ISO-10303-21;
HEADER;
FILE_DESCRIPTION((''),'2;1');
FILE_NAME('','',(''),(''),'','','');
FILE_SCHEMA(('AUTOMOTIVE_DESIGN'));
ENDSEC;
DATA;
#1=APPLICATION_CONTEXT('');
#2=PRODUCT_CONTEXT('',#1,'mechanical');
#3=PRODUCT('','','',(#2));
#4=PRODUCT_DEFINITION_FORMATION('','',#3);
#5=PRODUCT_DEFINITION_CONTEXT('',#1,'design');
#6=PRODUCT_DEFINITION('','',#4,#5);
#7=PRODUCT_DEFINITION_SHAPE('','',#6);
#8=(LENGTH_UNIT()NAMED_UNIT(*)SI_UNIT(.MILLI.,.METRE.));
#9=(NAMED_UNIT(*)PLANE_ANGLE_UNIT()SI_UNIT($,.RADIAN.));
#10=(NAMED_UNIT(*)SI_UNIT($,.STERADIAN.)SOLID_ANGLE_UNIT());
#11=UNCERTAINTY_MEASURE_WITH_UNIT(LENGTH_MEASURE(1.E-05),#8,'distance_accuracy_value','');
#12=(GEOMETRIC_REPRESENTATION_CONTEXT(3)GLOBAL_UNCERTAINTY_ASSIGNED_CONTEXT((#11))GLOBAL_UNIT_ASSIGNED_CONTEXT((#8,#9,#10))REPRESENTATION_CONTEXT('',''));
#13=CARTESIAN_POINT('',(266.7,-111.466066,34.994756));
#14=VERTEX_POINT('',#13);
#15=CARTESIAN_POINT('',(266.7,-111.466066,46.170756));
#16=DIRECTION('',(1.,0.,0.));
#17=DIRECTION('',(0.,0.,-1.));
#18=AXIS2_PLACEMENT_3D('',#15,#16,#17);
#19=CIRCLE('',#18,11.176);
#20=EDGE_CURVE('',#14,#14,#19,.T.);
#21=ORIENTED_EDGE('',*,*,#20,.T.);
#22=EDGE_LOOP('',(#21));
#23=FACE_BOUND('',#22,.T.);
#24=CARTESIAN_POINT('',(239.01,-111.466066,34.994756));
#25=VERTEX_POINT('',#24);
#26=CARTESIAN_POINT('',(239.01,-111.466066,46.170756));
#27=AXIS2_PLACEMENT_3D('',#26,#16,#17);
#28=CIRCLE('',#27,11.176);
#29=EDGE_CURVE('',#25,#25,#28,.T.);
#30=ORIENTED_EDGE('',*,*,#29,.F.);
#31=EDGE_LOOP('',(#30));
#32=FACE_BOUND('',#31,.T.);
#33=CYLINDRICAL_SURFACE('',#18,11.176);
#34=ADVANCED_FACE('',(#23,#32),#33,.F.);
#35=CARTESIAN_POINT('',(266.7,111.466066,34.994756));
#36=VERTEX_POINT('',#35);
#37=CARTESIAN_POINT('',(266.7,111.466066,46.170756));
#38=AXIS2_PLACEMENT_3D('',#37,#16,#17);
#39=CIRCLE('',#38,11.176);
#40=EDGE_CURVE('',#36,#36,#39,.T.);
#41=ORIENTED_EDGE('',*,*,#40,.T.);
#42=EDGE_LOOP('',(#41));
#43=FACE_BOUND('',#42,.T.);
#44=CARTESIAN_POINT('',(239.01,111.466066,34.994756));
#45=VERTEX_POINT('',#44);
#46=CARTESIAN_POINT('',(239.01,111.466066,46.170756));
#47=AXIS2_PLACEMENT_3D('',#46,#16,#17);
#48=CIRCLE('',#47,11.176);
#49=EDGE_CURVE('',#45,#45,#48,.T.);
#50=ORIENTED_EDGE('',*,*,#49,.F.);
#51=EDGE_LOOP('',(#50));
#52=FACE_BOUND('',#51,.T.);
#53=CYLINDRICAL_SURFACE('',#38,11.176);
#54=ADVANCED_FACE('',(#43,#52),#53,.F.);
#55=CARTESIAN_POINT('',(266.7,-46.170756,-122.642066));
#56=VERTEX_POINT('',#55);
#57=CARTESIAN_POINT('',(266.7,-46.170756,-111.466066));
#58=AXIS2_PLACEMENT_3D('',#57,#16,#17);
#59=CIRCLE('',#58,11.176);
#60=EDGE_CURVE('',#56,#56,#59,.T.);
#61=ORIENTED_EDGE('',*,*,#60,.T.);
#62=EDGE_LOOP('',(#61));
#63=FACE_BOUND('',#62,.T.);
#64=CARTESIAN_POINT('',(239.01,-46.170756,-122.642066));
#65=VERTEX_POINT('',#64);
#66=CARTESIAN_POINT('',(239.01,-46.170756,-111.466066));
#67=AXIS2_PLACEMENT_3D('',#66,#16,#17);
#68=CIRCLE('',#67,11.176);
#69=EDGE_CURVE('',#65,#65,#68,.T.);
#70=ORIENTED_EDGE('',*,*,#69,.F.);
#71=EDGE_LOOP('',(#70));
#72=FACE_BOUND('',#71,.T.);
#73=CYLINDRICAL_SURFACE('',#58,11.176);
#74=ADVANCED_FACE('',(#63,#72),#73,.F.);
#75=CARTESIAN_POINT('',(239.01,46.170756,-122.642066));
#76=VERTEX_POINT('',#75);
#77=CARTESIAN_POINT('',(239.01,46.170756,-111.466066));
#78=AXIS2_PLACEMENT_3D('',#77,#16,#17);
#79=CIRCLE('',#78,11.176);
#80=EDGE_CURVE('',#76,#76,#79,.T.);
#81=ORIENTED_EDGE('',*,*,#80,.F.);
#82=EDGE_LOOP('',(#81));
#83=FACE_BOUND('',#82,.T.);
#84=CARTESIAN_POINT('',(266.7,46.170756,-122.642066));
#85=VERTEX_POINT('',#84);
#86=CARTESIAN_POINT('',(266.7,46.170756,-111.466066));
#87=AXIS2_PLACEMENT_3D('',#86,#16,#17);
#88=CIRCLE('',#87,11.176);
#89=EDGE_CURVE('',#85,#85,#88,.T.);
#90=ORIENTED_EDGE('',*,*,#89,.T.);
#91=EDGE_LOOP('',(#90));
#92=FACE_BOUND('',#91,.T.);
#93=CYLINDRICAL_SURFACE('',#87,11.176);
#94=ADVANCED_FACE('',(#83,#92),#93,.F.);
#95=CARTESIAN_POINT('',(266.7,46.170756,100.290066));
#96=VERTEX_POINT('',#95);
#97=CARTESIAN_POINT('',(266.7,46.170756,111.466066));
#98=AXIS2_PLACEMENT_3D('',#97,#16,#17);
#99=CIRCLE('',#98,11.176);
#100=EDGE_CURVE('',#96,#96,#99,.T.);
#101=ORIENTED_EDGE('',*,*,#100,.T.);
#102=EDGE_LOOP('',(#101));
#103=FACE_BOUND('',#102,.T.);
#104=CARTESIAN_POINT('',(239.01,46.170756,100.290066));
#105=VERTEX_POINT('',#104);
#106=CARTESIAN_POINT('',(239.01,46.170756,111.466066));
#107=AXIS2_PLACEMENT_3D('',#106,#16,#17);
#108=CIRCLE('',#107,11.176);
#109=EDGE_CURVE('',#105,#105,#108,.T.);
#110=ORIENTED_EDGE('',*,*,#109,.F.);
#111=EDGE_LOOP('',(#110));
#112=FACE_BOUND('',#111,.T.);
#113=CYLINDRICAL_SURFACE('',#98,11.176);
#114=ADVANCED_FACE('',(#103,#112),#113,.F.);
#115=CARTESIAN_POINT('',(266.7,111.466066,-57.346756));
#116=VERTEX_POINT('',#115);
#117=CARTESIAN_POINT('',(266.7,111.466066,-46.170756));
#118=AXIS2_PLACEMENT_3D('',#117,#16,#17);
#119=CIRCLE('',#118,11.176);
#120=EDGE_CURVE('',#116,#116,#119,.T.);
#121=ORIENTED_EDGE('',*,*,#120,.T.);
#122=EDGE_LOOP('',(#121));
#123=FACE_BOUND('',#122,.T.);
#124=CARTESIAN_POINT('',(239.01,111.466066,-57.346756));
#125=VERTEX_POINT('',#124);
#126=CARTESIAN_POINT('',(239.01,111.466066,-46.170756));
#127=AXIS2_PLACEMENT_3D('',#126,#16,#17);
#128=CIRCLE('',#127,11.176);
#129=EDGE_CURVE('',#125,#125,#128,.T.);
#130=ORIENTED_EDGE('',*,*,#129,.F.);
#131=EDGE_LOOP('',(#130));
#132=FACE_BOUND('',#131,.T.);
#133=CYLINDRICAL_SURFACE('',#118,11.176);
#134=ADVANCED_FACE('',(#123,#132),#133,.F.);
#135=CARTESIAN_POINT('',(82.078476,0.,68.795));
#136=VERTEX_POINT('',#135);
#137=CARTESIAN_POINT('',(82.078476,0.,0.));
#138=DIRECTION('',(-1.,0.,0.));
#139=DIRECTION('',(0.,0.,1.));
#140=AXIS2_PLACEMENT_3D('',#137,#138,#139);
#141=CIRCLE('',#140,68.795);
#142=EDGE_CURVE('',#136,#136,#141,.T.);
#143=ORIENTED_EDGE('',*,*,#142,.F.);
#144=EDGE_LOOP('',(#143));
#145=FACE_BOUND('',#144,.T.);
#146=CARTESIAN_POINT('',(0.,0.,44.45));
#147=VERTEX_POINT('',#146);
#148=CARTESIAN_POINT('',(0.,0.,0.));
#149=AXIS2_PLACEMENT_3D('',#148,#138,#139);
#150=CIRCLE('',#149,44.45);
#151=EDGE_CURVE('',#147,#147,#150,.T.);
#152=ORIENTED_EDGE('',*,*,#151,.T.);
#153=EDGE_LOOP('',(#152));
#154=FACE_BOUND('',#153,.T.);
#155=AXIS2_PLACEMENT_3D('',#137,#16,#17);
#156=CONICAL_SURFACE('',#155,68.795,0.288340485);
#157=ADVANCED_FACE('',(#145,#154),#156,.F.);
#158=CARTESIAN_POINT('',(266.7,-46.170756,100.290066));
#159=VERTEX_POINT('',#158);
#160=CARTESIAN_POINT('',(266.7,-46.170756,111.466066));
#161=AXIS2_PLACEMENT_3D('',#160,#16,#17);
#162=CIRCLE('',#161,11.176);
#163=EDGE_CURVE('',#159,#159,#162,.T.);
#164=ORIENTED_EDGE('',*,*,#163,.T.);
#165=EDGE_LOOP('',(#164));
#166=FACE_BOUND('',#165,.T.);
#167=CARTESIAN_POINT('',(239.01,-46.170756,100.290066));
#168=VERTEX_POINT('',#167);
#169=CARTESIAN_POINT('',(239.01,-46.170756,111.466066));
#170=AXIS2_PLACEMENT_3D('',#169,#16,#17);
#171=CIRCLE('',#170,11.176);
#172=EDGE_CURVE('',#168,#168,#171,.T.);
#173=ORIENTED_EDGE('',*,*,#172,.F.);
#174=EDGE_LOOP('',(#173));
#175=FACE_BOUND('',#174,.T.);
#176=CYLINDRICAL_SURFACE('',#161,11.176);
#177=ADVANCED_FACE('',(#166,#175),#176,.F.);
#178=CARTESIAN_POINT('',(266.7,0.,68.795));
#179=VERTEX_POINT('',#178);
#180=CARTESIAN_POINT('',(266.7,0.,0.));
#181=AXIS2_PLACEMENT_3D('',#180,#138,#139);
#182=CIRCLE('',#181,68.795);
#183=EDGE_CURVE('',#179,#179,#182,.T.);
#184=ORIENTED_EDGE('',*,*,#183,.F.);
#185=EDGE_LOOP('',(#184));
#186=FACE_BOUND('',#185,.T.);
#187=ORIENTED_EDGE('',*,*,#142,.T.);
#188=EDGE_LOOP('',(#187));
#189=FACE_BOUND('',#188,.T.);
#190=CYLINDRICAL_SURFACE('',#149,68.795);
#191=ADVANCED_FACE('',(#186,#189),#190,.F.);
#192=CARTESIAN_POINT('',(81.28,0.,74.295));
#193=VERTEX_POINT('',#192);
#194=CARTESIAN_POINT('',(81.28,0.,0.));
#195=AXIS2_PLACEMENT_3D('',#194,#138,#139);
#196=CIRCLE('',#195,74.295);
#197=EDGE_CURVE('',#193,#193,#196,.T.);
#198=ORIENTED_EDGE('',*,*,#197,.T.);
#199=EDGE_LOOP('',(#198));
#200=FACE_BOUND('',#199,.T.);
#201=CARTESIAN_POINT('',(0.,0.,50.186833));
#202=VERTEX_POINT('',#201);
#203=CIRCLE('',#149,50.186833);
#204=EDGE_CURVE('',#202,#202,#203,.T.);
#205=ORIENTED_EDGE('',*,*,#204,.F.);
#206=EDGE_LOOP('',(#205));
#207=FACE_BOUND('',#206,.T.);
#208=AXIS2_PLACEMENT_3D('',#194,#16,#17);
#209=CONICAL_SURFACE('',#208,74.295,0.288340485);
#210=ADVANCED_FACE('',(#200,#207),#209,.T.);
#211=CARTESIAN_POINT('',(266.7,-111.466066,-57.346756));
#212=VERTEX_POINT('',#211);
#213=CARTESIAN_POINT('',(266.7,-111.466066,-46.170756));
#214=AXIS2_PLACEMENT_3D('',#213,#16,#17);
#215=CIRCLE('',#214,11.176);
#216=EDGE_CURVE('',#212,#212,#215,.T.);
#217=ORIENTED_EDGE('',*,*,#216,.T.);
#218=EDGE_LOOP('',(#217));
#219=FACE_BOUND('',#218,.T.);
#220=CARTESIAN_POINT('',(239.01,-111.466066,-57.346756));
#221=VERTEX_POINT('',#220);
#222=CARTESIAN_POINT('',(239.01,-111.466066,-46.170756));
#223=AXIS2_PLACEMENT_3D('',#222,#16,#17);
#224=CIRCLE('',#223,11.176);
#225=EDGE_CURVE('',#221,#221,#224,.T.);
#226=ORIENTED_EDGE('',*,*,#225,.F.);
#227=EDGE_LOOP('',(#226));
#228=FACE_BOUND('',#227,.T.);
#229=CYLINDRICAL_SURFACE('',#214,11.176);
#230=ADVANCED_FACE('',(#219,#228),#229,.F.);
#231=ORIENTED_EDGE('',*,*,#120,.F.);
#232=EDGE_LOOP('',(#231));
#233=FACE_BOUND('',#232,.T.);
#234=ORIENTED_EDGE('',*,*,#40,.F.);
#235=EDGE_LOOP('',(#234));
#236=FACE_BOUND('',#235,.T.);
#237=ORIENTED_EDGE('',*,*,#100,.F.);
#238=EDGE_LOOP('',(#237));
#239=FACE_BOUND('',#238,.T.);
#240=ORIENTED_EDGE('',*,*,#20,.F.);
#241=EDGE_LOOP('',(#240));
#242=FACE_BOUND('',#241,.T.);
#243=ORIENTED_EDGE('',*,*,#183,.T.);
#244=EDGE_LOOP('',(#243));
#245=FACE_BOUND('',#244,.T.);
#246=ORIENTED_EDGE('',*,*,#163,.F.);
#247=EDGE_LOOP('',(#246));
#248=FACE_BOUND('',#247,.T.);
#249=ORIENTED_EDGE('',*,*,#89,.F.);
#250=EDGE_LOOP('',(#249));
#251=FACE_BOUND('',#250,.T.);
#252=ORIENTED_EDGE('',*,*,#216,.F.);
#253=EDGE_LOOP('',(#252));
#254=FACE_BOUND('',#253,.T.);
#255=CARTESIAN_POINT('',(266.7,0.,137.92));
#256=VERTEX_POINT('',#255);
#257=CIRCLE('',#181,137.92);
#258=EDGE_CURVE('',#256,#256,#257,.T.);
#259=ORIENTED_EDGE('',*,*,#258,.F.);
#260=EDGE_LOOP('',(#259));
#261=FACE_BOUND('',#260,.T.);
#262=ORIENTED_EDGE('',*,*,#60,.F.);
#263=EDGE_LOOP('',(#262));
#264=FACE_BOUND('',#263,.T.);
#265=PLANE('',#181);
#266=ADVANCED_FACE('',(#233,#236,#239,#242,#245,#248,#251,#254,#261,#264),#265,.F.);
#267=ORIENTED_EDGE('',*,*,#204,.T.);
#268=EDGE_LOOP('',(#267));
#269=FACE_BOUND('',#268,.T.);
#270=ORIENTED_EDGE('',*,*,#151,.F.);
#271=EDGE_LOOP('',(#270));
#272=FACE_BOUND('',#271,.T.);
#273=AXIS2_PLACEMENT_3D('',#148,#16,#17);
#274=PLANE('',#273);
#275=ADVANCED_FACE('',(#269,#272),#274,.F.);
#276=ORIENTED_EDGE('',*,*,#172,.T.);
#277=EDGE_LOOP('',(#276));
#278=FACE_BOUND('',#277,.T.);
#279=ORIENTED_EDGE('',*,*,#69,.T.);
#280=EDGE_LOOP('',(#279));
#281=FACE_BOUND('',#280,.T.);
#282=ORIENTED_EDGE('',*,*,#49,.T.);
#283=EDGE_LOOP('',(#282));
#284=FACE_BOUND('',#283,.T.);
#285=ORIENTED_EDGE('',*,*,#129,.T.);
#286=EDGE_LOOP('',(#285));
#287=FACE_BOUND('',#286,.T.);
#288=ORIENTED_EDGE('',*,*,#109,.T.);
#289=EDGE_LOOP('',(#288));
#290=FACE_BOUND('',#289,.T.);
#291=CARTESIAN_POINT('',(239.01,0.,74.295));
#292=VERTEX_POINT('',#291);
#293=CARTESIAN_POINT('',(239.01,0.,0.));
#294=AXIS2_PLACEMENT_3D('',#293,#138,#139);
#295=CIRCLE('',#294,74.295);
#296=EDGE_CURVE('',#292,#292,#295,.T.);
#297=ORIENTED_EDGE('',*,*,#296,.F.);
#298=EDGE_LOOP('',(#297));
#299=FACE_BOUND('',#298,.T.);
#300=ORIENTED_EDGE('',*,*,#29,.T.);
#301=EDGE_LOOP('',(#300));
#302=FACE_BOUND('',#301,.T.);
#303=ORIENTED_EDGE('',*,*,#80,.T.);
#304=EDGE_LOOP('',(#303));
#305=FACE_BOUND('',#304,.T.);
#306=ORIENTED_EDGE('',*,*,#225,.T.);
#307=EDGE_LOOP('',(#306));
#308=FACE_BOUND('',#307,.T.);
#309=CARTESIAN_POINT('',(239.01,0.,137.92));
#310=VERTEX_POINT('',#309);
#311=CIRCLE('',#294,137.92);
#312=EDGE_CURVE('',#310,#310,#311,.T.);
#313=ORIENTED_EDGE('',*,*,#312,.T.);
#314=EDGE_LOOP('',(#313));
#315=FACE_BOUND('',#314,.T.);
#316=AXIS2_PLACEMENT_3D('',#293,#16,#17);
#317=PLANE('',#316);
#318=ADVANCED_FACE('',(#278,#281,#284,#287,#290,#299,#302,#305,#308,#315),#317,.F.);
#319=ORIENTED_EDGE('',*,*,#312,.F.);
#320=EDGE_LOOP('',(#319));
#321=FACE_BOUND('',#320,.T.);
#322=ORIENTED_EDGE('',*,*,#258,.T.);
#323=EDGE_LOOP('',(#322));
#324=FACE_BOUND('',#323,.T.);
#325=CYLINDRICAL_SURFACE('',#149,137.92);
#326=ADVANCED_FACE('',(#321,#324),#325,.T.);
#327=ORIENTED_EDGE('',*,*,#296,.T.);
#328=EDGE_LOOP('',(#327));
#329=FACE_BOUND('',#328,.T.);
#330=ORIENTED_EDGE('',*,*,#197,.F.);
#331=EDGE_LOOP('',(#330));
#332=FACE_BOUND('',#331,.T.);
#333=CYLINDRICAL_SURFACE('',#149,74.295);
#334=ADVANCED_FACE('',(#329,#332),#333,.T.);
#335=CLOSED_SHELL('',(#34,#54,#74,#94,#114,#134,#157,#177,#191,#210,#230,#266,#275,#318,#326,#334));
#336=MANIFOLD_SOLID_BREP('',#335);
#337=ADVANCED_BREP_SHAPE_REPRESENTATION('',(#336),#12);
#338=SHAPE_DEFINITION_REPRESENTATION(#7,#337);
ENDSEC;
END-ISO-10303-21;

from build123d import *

# Parameters (mm, degrees)
SKETCH1_W                   = 27.69
SKETCH1_H                   = 63.625
F_7_8_0_88_DIAMETER_HOLE1_D = 22.352
CIRPATTERN1_COUNT           = 8


with BuildPart() as part:
    # Sketch1 → Revolve1 (revolve)
    with BuildSketch(Plane.XY):
        Polygon((239.01, 68.795), (266.7, 68.795), (266.7, 74.295), (239.01, 74.295), (81.28, 74.295), (0, 50.18683312), (0, 44.45), (82.078476138, 68.795), align=None)
        with Locations((252.855, 106.1075)):
            Rectangle(SKETCH1_W, SKETCH1_H)
    revolve(axis=Axis((0, 0, 0), (1, 0, 0)))

    # 7/8 (0.88) Diameter Hole1 (through all)
    with Locations(Plane(origin=(266.7, 111.466065597, 46.170756115), x_dir=(0, 0, 1), z_dir=(1, 0, 0))):
        with Locations((0, 0)):
            f_7_8_0_88_diameter_hole1 = Hole(F_7_8_0_88_DIAMETER_HOLE1_D / 2)

    # CirPattern1: 7/8 (0.88) Diameter Hole1 ×8 about axis
    cirpattern1_axis = Axis((0, 0, 0), (1, 0, 0))
    for i in range(1, CIRPATTERN1_COUNT):
        add(f_7_8_0_88_diameter_hole1.rotate(cirpattern1_axis, i * 360 / CIRPATTERN1_COUNT), mode=Mode.SUBTRACT)


solid = part.part
